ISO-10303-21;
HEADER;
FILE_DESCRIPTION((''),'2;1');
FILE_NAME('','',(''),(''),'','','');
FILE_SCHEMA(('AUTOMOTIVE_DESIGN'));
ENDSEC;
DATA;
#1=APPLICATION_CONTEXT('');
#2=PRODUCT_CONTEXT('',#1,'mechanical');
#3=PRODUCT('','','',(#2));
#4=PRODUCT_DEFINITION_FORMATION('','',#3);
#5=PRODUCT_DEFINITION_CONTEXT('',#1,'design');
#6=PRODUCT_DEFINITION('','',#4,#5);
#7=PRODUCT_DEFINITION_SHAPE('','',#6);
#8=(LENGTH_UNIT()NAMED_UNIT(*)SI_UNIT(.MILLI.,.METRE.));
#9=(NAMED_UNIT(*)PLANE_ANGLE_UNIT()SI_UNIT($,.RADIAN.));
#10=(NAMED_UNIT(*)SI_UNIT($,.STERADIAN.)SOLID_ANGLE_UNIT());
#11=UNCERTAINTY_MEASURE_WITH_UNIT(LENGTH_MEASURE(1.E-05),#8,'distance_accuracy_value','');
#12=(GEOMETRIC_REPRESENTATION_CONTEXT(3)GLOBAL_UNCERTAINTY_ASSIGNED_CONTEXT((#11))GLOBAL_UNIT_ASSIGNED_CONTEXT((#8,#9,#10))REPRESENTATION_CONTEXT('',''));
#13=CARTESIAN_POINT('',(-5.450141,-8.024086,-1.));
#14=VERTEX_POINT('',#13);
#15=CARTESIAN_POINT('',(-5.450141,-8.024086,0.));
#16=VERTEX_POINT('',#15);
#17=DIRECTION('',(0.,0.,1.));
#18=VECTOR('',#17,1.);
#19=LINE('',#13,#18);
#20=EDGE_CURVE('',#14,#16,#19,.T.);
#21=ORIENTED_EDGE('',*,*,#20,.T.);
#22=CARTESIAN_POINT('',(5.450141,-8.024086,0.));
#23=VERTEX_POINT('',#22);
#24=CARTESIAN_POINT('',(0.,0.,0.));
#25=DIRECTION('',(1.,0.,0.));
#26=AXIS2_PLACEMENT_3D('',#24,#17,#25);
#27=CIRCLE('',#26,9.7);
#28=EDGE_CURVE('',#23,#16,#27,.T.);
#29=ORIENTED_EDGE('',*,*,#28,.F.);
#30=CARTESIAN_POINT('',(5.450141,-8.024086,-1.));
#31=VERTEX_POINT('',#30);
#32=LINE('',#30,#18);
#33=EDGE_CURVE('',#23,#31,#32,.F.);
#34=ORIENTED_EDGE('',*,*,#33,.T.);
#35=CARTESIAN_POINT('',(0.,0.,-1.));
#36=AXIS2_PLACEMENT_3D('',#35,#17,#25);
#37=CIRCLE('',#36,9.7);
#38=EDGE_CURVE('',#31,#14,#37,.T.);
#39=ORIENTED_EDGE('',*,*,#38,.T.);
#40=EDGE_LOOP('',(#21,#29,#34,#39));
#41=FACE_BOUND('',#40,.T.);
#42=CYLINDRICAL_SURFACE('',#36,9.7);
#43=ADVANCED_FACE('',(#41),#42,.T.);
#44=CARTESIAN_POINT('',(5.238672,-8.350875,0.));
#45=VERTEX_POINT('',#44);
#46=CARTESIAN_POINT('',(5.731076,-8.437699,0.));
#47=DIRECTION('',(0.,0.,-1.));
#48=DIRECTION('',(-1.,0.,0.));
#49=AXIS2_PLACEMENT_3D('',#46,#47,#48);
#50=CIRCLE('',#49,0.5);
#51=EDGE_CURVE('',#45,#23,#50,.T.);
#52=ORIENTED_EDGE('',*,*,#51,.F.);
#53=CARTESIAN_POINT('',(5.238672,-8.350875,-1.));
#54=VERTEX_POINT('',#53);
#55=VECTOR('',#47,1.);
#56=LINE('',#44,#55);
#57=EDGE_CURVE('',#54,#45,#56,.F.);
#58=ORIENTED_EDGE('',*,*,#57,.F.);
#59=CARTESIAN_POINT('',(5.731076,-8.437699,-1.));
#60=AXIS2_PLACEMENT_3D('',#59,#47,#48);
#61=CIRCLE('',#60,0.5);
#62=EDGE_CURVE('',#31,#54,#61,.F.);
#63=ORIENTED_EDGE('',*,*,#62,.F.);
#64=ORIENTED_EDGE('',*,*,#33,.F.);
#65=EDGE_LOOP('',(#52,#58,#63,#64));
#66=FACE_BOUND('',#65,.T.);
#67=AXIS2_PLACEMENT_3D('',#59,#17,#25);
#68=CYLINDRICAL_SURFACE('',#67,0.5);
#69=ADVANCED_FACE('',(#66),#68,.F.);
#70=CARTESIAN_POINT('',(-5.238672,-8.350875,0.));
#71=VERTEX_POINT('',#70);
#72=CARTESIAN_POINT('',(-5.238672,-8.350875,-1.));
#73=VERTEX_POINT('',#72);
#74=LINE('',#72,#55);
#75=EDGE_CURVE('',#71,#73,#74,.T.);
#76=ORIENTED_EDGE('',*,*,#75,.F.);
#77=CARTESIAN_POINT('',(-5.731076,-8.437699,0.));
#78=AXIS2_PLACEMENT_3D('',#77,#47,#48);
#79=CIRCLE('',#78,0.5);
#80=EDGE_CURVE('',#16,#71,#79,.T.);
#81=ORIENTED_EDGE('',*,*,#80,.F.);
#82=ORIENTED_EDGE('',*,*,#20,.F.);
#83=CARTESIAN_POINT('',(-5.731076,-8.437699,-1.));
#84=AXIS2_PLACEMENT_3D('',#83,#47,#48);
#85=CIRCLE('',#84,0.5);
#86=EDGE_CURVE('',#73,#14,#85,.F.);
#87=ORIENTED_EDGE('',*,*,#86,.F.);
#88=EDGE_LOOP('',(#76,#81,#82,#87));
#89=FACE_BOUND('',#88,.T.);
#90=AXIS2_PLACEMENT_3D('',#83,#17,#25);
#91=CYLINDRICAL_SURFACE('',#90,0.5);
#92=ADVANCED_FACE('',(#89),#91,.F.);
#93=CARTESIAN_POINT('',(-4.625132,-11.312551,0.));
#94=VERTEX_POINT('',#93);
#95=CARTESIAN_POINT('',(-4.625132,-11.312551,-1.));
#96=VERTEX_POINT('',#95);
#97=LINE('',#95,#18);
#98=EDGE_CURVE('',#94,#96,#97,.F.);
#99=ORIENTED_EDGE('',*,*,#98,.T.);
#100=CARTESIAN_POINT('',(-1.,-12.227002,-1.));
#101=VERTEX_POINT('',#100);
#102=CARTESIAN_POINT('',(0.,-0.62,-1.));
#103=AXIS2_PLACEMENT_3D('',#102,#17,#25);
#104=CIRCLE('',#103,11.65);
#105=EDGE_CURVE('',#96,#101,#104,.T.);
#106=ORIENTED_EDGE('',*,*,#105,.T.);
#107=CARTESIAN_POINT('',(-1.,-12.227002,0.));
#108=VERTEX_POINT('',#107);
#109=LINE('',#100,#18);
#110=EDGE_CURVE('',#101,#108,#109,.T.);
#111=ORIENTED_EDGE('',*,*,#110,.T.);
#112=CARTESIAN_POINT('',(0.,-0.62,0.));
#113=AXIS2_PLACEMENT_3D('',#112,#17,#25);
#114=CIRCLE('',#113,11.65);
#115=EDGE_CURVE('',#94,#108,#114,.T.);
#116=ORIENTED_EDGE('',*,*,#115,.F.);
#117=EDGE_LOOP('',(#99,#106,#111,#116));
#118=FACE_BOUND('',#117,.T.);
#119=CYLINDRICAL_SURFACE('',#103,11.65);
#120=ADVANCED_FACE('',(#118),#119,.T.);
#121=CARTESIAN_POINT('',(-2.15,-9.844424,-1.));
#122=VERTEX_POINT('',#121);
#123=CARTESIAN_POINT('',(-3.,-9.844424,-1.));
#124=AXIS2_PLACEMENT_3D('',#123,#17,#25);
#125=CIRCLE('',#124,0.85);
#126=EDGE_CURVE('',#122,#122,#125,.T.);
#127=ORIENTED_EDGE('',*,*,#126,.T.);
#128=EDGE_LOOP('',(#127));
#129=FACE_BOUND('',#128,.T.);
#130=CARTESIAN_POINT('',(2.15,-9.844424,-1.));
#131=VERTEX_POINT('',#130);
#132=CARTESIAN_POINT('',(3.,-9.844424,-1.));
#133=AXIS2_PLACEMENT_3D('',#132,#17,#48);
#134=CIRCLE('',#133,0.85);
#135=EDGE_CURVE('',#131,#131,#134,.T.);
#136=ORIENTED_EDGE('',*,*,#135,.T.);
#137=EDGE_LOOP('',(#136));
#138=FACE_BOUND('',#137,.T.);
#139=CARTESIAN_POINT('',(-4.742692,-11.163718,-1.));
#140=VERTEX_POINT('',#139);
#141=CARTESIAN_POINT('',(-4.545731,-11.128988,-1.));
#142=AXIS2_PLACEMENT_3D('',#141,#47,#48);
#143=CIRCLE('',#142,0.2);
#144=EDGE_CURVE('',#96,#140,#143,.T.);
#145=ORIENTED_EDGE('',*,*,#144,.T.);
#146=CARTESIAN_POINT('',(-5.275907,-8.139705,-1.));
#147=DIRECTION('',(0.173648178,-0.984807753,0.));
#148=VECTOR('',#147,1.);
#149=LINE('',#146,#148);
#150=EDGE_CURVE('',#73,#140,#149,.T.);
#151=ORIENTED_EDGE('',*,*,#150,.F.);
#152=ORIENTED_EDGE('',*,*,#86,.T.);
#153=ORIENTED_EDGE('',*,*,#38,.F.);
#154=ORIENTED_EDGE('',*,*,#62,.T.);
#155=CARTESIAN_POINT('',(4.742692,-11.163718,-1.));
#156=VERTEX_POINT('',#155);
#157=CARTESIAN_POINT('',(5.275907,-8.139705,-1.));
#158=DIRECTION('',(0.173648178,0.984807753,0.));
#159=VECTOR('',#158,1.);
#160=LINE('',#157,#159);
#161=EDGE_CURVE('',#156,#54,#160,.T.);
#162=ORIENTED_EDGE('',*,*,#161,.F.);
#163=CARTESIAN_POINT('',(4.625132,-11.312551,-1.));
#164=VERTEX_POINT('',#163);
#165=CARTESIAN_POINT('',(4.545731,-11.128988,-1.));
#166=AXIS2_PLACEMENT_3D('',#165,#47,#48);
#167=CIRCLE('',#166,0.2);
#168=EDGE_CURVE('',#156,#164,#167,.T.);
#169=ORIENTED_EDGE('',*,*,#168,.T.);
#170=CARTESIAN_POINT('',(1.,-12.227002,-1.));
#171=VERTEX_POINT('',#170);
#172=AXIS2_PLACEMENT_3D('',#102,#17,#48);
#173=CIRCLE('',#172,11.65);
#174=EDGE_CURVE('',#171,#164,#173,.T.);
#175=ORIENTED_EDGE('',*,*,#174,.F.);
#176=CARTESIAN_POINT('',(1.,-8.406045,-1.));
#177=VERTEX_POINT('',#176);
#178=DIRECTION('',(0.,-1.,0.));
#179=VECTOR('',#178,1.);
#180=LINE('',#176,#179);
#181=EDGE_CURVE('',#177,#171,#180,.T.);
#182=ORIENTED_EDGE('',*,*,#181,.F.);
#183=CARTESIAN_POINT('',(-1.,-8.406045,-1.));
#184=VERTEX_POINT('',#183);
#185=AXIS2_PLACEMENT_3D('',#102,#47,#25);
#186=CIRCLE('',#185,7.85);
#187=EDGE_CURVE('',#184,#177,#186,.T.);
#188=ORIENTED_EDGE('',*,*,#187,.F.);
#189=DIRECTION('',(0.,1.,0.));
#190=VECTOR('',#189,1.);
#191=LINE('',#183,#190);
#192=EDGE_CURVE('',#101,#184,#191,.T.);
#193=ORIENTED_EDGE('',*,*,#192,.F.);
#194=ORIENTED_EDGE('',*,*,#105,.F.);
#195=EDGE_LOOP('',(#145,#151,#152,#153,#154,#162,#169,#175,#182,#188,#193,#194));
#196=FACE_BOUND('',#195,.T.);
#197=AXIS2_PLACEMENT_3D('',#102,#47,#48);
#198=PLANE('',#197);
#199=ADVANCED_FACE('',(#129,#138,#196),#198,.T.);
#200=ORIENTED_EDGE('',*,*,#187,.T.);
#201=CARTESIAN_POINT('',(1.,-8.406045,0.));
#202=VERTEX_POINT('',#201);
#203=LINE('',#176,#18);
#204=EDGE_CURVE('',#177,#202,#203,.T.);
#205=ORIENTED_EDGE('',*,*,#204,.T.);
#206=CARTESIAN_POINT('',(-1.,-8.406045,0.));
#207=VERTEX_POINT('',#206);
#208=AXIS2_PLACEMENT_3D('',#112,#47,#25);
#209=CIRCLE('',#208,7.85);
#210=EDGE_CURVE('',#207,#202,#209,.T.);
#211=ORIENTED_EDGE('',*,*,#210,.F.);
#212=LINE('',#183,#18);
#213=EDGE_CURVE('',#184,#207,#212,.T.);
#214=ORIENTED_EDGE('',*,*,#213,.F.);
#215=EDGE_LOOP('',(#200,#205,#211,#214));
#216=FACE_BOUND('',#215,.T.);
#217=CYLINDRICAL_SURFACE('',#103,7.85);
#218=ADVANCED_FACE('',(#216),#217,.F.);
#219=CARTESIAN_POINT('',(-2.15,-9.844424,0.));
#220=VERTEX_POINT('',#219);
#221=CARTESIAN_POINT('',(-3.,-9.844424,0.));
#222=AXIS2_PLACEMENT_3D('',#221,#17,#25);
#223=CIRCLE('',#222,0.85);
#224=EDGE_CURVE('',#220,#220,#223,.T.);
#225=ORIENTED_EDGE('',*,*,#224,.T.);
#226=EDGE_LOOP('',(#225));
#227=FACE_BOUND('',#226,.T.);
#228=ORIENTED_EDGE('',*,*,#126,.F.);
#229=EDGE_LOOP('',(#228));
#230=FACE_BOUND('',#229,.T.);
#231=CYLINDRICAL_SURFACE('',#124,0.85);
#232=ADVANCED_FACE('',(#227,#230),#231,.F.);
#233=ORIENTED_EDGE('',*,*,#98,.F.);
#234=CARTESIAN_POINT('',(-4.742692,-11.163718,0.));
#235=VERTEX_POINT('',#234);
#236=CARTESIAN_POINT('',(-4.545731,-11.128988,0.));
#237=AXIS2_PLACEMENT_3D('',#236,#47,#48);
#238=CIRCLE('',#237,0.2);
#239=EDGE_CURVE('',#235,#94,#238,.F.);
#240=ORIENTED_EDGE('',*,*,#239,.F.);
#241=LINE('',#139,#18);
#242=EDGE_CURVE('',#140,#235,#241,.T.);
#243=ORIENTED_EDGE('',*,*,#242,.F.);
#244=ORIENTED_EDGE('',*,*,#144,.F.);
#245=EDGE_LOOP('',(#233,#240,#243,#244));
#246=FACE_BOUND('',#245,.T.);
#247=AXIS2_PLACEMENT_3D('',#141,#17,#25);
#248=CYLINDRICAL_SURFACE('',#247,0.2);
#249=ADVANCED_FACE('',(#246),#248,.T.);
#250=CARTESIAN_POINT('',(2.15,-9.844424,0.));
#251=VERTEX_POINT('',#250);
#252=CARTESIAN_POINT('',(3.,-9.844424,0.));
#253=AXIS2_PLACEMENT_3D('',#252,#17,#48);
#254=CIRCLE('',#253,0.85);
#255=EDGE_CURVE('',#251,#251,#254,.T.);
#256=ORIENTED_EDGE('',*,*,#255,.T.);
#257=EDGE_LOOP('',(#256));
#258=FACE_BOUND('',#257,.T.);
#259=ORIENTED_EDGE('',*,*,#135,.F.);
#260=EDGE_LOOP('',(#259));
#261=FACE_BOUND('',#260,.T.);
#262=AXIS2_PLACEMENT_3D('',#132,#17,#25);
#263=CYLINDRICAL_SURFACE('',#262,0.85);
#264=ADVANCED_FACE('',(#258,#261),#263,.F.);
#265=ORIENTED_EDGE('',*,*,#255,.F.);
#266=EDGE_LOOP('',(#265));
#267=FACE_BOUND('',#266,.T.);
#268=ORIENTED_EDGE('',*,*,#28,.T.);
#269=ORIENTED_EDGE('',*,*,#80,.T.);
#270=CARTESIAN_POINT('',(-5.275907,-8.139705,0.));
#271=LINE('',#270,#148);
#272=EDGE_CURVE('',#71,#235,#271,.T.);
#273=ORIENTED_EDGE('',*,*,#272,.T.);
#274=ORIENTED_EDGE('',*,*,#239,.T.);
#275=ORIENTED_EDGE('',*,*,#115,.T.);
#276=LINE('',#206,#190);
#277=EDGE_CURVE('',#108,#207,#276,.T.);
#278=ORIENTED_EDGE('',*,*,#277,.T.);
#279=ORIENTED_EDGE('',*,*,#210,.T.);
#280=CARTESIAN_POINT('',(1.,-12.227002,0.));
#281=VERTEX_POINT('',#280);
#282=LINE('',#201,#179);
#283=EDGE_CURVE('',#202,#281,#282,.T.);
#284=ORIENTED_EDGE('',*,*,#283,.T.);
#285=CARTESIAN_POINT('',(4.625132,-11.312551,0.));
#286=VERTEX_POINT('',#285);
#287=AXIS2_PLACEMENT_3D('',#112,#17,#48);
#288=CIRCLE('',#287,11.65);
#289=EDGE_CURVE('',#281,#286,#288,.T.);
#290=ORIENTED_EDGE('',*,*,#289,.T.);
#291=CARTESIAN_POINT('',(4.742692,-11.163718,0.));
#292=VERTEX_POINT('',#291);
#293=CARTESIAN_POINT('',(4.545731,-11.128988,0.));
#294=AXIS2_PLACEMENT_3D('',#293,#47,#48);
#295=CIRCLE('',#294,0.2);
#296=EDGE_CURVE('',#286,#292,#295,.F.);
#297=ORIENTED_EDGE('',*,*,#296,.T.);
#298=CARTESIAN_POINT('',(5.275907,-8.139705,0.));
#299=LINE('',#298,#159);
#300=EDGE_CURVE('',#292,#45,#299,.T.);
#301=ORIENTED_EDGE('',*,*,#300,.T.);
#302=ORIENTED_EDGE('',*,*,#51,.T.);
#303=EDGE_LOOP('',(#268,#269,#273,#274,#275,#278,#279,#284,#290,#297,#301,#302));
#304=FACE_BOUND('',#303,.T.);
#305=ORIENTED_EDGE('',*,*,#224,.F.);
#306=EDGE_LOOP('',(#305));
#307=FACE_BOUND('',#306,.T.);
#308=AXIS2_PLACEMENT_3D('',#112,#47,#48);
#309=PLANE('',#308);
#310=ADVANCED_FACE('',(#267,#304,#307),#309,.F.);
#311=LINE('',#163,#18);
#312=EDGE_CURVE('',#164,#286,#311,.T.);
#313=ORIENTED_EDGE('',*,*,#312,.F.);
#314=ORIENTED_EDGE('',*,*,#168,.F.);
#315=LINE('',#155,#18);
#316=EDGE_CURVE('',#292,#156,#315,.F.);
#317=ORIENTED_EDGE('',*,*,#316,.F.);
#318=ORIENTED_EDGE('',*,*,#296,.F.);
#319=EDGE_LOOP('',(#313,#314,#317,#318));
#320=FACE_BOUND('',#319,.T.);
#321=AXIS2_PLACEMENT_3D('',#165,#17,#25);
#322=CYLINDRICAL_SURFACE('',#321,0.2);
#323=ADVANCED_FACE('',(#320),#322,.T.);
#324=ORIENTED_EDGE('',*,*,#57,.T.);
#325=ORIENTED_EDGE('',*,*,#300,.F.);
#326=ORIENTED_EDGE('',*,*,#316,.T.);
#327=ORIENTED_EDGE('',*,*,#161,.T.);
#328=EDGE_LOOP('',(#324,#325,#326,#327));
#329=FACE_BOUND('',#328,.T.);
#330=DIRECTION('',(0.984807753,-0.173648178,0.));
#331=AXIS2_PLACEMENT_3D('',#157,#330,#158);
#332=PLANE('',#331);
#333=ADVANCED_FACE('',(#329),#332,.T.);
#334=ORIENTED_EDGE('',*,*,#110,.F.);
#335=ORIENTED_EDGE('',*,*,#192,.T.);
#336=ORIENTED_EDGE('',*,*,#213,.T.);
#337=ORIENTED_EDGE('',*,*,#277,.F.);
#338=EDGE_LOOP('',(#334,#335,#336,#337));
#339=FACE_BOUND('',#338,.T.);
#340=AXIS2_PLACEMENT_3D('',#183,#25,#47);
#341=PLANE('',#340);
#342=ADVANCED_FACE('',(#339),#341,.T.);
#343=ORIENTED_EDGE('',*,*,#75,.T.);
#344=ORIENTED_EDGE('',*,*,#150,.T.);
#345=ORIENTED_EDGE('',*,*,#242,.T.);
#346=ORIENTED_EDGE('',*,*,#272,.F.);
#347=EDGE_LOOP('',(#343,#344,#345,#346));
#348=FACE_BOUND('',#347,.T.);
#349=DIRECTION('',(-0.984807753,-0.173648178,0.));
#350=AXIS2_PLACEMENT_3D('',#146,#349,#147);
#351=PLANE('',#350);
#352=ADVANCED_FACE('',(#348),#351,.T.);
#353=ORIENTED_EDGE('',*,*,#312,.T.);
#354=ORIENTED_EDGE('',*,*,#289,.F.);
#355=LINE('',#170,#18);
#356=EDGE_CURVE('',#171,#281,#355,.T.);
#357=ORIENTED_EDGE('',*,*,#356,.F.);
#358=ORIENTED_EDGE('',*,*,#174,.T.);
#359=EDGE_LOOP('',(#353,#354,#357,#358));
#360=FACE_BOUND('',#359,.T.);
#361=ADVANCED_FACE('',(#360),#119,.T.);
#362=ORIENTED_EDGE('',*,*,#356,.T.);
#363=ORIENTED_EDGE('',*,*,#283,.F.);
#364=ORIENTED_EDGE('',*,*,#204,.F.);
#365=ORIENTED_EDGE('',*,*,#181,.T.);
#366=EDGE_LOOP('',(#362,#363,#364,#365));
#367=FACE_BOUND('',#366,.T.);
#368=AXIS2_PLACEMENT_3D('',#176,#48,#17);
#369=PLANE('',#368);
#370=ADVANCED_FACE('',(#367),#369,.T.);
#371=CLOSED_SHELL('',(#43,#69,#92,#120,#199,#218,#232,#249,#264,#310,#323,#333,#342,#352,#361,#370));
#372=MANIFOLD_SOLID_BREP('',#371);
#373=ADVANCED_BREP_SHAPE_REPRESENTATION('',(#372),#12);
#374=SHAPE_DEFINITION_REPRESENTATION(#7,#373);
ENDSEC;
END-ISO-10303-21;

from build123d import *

# Parameters (mm, degrees)
SKETCH1_R  = 0.85
BODY_DEPTH = 1
FILLET1_R  = 0.2
FILLET2_R  = 0.5


with BuildPart() as part:
    # Sketch1 → Body (new body)
    with BuildSketch(Plane.XY):
        with BuildLine():
            Line((-1, -8.406045209), (-1, -12.227002197))
            ThreePointArc((-1, -12.227002197), (-2.901836737, -11.902811864), (-4.724092893, -11.269199328))
            Line((-4.724092893, -11.269199328), (-5.275907107, -8.139705412))
            ThreePointArc((-5.275907107, -8.139705412), (0, 9.7), (5.275907107, -8.139705412))
            Line((5.275907107, -8.139705412), (4.724092893, -11.269199328))
            ThreePointArc((4.724092893, -11.269199328), (2.901836737, -11.902811864), (1, -12.227002197))
            Line((1, -12.227002197), (1, -8.406045209))
            ThreePointArc((1, -8.406045209), (0, 7.23), (-1, -8.406045209))
        make_face()
        with Locations((3, -9.844424101)):
            Circle(SKETCH1_R, mode=Mode.SUBTRACT)
        with Locations((-3, -9.844424101)):
            Circle(SKETCH1_R, mode=Mode.SUBTRACT)
    extrude(amount=-BODY_DEPTH)

    # Fillet1
    fillet1_edges = [part.edges().sort_by_distance(p)[0] for p in [
        (-4.724092893, -11.269199328, -0.5),
        (4.724092893, -11.269199328, -0.5),
    ]]
    fillet(fillet1_edges, radius=FILLET1_R)

    # Fillet2
    fillet2_edges = [part.edges().sort_by_distance(p)[0] for p in [
        (-5.275907107, -8.139705412, -0.5),
        (5.275907107, -8.139705412, -0.5),
    ]]
    fillet(fillet2_edges, radius=FILLET2_R)


solid = part.part
